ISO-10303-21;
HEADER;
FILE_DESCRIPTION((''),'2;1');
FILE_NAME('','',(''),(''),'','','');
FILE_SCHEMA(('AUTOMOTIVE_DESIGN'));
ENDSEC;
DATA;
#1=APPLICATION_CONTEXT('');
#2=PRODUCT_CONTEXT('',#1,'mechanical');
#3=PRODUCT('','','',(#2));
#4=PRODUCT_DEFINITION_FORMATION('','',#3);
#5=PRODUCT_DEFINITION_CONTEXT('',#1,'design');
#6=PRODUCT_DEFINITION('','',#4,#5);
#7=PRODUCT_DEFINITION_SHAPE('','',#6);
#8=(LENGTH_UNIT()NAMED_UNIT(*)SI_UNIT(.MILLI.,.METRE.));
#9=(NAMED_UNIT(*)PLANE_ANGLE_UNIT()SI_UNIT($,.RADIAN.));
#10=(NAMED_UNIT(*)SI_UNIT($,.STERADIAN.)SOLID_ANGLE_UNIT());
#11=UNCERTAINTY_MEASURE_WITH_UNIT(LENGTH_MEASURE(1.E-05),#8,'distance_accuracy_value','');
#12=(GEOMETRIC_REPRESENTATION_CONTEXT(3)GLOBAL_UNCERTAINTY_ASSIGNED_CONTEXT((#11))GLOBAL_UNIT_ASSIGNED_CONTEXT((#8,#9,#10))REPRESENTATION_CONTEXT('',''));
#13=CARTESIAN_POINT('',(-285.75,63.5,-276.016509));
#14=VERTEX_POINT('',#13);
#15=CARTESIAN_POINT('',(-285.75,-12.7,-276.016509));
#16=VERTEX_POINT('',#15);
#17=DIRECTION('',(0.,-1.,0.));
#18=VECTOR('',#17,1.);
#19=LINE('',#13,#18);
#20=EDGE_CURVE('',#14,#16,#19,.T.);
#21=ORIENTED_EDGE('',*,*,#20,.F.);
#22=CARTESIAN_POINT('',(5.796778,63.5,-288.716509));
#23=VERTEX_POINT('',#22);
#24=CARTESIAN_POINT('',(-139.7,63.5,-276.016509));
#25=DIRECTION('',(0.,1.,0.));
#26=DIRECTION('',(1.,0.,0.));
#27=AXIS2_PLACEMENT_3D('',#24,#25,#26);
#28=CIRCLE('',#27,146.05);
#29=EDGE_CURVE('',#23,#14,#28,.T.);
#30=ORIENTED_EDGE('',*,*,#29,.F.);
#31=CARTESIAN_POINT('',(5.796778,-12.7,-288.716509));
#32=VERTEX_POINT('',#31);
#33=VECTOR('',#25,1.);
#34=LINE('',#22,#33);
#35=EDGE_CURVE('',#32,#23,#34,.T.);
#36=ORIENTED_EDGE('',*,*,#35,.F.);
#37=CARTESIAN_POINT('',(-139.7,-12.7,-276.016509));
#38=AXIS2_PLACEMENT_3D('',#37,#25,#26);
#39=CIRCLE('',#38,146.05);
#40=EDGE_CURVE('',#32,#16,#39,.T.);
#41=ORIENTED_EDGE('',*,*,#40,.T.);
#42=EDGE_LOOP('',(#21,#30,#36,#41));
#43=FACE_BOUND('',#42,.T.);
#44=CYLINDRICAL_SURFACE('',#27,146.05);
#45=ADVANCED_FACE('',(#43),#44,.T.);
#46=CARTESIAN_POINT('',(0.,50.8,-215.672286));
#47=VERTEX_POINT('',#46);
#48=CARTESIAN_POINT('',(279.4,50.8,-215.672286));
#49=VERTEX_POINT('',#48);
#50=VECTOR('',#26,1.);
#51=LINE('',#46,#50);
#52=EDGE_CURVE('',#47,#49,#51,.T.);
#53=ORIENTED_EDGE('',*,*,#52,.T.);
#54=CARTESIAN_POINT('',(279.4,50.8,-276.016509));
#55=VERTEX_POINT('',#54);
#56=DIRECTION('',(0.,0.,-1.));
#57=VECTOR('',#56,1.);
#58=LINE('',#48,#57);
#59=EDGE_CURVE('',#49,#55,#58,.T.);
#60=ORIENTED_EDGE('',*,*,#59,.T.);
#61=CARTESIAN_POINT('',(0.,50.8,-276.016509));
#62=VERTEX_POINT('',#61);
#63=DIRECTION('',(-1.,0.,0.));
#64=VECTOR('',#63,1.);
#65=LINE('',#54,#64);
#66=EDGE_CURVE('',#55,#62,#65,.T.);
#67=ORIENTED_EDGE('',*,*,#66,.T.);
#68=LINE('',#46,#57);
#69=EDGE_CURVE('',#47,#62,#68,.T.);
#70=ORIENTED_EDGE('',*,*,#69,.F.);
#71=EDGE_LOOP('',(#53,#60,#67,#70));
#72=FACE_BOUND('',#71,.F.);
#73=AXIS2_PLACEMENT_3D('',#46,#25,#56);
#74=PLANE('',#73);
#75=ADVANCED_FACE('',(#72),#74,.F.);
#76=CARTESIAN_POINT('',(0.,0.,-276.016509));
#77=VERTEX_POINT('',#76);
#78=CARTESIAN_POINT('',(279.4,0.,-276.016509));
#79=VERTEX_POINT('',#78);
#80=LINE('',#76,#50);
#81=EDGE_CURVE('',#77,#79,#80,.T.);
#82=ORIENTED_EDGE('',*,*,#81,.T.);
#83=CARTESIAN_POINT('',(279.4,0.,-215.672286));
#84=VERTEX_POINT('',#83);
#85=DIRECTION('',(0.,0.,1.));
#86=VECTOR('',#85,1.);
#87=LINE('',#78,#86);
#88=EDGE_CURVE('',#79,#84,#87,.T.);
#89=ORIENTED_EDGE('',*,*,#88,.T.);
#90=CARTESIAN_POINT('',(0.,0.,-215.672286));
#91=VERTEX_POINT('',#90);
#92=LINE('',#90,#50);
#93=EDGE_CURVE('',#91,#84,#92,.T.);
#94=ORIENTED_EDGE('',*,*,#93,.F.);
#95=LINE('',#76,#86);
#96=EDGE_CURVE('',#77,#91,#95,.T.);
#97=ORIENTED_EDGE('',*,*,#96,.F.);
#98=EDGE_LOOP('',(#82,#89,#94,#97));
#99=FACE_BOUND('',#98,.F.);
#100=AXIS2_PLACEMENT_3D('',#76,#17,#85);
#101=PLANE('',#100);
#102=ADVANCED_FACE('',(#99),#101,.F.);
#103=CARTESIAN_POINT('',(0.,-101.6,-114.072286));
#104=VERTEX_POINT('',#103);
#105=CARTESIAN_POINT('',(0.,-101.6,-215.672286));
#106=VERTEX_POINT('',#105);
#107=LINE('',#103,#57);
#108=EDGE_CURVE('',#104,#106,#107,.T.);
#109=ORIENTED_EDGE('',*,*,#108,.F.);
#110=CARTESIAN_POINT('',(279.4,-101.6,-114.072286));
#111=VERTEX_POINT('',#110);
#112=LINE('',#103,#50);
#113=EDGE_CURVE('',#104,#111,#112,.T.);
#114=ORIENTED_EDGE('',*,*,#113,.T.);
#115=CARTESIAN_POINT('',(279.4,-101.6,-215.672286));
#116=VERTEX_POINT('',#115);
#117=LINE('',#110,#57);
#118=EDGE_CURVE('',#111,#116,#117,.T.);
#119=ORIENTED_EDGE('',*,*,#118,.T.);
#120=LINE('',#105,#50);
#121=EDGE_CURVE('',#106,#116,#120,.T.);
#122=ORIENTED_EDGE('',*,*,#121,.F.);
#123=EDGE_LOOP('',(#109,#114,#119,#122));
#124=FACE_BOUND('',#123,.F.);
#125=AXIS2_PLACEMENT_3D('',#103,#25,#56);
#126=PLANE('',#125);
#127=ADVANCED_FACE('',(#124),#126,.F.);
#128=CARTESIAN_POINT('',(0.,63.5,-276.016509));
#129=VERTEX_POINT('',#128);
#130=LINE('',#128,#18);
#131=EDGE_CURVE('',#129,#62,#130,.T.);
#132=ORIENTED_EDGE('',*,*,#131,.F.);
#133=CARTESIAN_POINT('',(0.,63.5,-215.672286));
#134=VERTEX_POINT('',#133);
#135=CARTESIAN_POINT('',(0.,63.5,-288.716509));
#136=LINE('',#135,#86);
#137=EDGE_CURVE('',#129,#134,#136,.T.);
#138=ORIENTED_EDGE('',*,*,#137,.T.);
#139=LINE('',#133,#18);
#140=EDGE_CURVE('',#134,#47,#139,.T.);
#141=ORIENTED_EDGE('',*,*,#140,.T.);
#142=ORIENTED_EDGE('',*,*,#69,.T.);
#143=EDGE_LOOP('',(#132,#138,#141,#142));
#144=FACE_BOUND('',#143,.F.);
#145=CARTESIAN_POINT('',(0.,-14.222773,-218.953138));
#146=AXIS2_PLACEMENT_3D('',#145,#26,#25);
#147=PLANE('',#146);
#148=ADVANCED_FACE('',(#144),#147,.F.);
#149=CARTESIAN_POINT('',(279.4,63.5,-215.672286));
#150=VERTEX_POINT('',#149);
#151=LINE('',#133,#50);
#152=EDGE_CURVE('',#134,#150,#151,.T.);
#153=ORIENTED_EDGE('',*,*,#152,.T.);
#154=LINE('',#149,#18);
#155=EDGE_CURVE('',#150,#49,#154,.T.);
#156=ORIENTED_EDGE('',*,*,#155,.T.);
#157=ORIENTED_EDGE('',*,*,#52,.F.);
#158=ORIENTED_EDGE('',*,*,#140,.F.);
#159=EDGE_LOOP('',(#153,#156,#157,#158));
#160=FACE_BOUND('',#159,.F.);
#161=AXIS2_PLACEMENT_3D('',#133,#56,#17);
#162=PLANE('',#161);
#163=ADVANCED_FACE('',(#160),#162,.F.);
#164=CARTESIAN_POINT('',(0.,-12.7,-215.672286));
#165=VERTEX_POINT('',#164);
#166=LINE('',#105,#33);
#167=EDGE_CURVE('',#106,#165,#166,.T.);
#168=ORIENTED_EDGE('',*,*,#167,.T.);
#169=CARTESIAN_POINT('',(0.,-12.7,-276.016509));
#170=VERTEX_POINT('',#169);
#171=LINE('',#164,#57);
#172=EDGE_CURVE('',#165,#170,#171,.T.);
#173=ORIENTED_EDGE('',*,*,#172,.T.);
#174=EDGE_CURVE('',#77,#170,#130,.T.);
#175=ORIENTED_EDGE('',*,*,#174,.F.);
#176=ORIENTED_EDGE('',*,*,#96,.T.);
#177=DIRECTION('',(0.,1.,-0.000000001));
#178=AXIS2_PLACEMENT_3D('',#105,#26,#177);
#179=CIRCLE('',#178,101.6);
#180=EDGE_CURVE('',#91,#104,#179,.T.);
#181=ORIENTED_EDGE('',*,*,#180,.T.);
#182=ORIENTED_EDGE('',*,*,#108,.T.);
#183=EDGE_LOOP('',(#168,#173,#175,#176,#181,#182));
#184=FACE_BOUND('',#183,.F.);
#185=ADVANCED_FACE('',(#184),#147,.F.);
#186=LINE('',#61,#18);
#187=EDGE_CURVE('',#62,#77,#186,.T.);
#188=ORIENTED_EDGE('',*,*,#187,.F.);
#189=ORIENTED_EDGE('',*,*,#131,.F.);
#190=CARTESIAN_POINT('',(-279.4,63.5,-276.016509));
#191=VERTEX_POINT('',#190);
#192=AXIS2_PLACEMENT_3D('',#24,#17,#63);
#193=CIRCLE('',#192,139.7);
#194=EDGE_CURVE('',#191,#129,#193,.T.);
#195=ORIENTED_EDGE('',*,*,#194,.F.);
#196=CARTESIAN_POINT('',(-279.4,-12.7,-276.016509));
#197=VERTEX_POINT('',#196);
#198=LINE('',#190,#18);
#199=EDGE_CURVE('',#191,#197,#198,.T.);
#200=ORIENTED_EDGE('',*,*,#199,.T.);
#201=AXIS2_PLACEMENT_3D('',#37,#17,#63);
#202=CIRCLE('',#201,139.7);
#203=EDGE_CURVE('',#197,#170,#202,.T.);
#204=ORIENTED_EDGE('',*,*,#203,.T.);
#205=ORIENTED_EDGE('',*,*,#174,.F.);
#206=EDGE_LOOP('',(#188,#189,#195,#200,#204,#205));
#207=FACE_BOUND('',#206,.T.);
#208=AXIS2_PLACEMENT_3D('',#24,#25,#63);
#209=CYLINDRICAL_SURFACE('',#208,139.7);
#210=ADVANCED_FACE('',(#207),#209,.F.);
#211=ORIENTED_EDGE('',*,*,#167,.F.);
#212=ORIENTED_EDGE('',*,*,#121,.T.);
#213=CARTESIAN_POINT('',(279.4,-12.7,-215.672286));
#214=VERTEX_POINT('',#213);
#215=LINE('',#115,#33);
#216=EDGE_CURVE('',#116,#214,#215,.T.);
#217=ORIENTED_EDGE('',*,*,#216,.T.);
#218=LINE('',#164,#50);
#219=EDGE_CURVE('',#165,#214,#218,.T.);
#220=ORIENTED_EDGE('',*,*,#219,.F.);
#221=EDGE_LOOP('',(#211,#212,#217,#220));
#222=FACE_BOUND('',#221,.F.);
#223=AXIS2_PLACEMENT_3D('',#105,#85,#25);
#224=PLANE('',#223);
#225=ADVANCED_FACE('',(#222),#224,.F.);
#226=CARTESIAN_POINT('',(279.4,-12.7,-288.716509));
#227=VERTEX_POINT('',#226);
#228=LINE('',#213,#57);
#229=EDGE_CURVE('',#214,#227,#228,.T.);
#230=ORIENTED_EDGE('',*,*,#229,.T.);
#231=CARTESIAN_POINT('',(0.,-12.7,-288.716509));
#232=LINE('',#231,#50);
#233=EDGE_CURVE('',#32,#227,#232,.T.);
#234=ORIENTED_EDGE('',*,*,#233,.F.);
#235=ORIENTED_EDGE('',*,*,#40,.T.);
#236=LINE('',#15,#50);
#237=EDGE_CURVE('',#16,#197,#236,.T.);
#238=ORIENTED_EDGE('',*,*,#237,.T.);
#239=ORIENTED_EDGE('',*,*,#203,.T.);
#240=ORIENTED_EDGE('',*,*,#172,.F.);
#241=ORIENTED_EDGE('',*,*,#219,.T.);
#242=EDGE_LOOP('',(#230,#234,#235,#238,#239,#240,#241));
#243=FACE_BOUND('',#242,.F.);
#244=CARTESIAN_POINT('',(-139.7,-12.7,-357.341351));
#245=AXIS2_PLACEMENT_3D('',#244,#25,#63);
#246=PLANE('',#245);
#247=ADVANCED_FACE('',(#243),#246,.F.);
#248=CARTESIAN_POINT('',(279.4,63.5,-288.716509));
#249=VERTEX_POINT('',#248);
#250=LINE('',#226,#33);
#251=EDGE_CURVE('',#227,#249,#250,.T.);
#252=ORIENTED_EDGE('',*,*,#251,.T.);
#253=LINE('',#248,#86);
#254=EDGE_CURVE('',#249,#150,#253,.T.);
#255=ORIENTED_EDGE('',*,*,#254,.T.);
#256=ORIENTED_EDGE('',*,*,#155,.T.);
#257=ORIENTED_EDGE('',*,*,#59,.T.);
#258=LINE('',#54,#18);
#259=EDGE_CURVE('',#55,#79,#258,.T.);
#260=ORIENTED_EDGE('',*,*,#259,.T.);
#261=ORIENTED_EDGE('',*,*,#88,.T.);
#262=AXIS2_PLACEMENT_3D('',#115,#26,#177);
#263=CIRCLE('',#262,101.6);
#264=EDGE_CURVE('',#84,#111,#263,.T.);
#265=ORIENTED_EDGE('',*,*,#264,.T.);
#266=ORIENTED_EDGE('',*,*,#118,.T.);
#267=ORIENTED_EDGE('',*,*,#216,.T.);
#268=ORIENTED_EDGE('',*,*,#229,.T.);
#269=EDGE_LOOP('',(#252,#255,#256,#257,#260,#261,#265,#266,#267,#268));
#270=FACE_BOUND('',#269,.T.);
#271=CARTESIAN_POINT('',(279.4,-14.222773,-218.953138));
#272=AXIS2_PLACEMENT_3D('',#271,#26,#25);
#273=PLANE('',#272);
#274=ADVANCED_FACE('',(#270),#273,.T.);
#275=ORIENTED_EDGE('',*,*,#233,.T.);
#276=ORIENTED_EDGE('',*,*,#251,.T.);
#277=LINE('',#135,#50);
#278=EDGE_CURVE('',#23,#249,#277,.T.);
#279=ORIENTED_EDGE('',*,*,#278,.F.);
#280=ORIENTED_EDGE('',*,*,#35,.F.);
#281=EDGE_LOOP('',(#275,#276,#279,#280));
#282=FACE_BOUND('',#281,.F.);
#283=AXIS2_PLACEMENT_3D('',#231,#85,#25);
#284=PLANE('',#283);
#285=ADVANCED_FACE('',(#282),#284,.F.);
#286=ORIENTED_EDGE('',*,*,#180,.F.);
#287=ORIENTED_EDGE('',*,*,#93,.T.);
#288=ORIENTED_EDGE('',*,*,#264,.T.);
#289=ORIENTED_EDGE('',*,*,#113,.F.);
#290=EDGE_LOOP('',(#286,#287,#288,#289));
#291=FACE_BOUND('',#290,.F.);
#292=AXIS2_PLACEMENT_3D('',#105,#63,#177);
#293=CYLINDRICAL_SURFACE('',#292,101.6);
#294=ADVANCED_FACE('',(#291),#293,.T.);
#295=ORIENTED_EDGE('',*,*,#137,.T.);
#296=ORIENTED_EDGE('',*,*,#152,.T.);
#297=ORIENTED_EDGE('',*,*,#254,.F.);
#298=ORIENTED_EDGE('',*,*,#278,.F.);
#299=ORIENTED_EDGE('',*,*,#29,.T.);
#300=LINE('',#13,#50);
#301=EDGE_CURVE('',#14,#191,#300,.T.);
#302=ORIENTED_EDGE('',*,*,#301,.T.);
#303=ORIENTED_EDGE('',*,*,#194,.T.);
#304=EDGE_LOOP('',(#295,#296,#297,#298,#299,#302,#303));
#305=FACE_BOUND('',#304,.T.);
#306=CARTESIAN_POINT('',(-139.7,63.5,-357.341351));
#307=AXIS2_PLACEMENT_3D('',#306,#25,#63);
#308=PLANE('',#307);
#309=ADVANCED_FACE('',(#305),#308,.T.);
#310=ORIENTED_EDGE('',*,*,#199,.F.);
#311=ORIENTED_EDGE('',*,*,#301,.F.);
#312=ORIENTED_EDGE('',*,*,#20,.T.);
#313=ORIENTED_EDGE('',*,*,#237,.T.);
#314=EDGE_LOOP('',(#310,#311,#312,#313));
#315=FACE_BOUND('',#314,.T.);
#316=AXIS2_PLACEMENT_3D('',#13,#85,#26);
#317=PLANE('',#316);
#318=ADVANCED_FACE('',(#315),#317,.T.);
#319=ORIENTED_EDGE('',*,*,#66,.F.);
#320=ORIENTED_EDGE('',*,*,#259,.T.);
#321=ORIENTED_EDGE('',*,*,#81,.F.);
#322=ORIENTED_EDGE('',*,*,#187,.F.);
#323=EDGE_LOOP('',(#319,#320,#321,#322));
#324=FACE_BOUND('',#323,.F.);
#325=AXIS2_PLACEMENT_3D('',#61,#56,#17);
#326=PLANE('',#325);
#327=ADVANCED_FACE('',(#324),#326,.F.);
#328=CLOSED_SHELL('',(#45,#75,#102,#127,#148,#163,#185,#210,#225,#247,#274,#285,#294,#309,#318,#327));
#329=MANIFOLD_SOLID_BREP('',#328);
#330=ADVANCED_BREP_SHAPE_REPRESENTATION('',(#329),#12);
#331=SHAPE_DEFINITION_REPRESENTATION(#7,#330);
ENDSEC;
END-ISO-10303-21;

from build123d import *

# Parameters (mm, degrees)
F1_DEPTH = 279.4
F3_DEPTH = 76.2


with BuildPart() as f1:
    # F0 (on Right) → F1 (new body)
    with BuildSketch(Plane.YZ):
        with BuildLine():
            Line((-101.6, -114.072286), (-101.6, -215.672286))
            Line((-101.6, -215.672286), (-12.7, -215.672286))
            Line((-12.7, -215.672286), (-12.7, -288.716509))
            Line((-12.7, -288.716509), (63.5, -288.716509))
            Line((63.5, -288.716509), (63.5, -215.672286))
            Line((63.5, -215.672286), (50.8, -215.672286))
            Line((50.8, -215.672286), (50.8, -276.016509))
            Line((50.8, -276.016509), (0, -276.016509))
            Line((0, -276.016509), (0, -215.672286))
            ThreePointArc((0, -215.672286), (-29.757951, -143.830237), (-101.6, -114.072286))
        make_face()
    extrude(amount=F1_DEPTH)

    # F2 (on face) → F3 (join)
    with BuildSketch(Plane(origin=(0, 63.5, 0), x_dir=(-1, 0, 0), z_dir=(0, 1, 0))):
        with BuildLine():
            ThreePointArc((279.4, -276.016509), (139.7, -415.716509), (0, -276.016509))
            Line((0, -276.016509), (-6.35, -276.016509))
            ThreePointArc((-6.35, -276.016509), (139.7, -422.066509), (285.75, -276.016509))
            Line((285.75, -276.016509), (279.4, -276.016509))
        make_face()
    extrude(amount=-F3_DEPTH)


solid = f1.part
